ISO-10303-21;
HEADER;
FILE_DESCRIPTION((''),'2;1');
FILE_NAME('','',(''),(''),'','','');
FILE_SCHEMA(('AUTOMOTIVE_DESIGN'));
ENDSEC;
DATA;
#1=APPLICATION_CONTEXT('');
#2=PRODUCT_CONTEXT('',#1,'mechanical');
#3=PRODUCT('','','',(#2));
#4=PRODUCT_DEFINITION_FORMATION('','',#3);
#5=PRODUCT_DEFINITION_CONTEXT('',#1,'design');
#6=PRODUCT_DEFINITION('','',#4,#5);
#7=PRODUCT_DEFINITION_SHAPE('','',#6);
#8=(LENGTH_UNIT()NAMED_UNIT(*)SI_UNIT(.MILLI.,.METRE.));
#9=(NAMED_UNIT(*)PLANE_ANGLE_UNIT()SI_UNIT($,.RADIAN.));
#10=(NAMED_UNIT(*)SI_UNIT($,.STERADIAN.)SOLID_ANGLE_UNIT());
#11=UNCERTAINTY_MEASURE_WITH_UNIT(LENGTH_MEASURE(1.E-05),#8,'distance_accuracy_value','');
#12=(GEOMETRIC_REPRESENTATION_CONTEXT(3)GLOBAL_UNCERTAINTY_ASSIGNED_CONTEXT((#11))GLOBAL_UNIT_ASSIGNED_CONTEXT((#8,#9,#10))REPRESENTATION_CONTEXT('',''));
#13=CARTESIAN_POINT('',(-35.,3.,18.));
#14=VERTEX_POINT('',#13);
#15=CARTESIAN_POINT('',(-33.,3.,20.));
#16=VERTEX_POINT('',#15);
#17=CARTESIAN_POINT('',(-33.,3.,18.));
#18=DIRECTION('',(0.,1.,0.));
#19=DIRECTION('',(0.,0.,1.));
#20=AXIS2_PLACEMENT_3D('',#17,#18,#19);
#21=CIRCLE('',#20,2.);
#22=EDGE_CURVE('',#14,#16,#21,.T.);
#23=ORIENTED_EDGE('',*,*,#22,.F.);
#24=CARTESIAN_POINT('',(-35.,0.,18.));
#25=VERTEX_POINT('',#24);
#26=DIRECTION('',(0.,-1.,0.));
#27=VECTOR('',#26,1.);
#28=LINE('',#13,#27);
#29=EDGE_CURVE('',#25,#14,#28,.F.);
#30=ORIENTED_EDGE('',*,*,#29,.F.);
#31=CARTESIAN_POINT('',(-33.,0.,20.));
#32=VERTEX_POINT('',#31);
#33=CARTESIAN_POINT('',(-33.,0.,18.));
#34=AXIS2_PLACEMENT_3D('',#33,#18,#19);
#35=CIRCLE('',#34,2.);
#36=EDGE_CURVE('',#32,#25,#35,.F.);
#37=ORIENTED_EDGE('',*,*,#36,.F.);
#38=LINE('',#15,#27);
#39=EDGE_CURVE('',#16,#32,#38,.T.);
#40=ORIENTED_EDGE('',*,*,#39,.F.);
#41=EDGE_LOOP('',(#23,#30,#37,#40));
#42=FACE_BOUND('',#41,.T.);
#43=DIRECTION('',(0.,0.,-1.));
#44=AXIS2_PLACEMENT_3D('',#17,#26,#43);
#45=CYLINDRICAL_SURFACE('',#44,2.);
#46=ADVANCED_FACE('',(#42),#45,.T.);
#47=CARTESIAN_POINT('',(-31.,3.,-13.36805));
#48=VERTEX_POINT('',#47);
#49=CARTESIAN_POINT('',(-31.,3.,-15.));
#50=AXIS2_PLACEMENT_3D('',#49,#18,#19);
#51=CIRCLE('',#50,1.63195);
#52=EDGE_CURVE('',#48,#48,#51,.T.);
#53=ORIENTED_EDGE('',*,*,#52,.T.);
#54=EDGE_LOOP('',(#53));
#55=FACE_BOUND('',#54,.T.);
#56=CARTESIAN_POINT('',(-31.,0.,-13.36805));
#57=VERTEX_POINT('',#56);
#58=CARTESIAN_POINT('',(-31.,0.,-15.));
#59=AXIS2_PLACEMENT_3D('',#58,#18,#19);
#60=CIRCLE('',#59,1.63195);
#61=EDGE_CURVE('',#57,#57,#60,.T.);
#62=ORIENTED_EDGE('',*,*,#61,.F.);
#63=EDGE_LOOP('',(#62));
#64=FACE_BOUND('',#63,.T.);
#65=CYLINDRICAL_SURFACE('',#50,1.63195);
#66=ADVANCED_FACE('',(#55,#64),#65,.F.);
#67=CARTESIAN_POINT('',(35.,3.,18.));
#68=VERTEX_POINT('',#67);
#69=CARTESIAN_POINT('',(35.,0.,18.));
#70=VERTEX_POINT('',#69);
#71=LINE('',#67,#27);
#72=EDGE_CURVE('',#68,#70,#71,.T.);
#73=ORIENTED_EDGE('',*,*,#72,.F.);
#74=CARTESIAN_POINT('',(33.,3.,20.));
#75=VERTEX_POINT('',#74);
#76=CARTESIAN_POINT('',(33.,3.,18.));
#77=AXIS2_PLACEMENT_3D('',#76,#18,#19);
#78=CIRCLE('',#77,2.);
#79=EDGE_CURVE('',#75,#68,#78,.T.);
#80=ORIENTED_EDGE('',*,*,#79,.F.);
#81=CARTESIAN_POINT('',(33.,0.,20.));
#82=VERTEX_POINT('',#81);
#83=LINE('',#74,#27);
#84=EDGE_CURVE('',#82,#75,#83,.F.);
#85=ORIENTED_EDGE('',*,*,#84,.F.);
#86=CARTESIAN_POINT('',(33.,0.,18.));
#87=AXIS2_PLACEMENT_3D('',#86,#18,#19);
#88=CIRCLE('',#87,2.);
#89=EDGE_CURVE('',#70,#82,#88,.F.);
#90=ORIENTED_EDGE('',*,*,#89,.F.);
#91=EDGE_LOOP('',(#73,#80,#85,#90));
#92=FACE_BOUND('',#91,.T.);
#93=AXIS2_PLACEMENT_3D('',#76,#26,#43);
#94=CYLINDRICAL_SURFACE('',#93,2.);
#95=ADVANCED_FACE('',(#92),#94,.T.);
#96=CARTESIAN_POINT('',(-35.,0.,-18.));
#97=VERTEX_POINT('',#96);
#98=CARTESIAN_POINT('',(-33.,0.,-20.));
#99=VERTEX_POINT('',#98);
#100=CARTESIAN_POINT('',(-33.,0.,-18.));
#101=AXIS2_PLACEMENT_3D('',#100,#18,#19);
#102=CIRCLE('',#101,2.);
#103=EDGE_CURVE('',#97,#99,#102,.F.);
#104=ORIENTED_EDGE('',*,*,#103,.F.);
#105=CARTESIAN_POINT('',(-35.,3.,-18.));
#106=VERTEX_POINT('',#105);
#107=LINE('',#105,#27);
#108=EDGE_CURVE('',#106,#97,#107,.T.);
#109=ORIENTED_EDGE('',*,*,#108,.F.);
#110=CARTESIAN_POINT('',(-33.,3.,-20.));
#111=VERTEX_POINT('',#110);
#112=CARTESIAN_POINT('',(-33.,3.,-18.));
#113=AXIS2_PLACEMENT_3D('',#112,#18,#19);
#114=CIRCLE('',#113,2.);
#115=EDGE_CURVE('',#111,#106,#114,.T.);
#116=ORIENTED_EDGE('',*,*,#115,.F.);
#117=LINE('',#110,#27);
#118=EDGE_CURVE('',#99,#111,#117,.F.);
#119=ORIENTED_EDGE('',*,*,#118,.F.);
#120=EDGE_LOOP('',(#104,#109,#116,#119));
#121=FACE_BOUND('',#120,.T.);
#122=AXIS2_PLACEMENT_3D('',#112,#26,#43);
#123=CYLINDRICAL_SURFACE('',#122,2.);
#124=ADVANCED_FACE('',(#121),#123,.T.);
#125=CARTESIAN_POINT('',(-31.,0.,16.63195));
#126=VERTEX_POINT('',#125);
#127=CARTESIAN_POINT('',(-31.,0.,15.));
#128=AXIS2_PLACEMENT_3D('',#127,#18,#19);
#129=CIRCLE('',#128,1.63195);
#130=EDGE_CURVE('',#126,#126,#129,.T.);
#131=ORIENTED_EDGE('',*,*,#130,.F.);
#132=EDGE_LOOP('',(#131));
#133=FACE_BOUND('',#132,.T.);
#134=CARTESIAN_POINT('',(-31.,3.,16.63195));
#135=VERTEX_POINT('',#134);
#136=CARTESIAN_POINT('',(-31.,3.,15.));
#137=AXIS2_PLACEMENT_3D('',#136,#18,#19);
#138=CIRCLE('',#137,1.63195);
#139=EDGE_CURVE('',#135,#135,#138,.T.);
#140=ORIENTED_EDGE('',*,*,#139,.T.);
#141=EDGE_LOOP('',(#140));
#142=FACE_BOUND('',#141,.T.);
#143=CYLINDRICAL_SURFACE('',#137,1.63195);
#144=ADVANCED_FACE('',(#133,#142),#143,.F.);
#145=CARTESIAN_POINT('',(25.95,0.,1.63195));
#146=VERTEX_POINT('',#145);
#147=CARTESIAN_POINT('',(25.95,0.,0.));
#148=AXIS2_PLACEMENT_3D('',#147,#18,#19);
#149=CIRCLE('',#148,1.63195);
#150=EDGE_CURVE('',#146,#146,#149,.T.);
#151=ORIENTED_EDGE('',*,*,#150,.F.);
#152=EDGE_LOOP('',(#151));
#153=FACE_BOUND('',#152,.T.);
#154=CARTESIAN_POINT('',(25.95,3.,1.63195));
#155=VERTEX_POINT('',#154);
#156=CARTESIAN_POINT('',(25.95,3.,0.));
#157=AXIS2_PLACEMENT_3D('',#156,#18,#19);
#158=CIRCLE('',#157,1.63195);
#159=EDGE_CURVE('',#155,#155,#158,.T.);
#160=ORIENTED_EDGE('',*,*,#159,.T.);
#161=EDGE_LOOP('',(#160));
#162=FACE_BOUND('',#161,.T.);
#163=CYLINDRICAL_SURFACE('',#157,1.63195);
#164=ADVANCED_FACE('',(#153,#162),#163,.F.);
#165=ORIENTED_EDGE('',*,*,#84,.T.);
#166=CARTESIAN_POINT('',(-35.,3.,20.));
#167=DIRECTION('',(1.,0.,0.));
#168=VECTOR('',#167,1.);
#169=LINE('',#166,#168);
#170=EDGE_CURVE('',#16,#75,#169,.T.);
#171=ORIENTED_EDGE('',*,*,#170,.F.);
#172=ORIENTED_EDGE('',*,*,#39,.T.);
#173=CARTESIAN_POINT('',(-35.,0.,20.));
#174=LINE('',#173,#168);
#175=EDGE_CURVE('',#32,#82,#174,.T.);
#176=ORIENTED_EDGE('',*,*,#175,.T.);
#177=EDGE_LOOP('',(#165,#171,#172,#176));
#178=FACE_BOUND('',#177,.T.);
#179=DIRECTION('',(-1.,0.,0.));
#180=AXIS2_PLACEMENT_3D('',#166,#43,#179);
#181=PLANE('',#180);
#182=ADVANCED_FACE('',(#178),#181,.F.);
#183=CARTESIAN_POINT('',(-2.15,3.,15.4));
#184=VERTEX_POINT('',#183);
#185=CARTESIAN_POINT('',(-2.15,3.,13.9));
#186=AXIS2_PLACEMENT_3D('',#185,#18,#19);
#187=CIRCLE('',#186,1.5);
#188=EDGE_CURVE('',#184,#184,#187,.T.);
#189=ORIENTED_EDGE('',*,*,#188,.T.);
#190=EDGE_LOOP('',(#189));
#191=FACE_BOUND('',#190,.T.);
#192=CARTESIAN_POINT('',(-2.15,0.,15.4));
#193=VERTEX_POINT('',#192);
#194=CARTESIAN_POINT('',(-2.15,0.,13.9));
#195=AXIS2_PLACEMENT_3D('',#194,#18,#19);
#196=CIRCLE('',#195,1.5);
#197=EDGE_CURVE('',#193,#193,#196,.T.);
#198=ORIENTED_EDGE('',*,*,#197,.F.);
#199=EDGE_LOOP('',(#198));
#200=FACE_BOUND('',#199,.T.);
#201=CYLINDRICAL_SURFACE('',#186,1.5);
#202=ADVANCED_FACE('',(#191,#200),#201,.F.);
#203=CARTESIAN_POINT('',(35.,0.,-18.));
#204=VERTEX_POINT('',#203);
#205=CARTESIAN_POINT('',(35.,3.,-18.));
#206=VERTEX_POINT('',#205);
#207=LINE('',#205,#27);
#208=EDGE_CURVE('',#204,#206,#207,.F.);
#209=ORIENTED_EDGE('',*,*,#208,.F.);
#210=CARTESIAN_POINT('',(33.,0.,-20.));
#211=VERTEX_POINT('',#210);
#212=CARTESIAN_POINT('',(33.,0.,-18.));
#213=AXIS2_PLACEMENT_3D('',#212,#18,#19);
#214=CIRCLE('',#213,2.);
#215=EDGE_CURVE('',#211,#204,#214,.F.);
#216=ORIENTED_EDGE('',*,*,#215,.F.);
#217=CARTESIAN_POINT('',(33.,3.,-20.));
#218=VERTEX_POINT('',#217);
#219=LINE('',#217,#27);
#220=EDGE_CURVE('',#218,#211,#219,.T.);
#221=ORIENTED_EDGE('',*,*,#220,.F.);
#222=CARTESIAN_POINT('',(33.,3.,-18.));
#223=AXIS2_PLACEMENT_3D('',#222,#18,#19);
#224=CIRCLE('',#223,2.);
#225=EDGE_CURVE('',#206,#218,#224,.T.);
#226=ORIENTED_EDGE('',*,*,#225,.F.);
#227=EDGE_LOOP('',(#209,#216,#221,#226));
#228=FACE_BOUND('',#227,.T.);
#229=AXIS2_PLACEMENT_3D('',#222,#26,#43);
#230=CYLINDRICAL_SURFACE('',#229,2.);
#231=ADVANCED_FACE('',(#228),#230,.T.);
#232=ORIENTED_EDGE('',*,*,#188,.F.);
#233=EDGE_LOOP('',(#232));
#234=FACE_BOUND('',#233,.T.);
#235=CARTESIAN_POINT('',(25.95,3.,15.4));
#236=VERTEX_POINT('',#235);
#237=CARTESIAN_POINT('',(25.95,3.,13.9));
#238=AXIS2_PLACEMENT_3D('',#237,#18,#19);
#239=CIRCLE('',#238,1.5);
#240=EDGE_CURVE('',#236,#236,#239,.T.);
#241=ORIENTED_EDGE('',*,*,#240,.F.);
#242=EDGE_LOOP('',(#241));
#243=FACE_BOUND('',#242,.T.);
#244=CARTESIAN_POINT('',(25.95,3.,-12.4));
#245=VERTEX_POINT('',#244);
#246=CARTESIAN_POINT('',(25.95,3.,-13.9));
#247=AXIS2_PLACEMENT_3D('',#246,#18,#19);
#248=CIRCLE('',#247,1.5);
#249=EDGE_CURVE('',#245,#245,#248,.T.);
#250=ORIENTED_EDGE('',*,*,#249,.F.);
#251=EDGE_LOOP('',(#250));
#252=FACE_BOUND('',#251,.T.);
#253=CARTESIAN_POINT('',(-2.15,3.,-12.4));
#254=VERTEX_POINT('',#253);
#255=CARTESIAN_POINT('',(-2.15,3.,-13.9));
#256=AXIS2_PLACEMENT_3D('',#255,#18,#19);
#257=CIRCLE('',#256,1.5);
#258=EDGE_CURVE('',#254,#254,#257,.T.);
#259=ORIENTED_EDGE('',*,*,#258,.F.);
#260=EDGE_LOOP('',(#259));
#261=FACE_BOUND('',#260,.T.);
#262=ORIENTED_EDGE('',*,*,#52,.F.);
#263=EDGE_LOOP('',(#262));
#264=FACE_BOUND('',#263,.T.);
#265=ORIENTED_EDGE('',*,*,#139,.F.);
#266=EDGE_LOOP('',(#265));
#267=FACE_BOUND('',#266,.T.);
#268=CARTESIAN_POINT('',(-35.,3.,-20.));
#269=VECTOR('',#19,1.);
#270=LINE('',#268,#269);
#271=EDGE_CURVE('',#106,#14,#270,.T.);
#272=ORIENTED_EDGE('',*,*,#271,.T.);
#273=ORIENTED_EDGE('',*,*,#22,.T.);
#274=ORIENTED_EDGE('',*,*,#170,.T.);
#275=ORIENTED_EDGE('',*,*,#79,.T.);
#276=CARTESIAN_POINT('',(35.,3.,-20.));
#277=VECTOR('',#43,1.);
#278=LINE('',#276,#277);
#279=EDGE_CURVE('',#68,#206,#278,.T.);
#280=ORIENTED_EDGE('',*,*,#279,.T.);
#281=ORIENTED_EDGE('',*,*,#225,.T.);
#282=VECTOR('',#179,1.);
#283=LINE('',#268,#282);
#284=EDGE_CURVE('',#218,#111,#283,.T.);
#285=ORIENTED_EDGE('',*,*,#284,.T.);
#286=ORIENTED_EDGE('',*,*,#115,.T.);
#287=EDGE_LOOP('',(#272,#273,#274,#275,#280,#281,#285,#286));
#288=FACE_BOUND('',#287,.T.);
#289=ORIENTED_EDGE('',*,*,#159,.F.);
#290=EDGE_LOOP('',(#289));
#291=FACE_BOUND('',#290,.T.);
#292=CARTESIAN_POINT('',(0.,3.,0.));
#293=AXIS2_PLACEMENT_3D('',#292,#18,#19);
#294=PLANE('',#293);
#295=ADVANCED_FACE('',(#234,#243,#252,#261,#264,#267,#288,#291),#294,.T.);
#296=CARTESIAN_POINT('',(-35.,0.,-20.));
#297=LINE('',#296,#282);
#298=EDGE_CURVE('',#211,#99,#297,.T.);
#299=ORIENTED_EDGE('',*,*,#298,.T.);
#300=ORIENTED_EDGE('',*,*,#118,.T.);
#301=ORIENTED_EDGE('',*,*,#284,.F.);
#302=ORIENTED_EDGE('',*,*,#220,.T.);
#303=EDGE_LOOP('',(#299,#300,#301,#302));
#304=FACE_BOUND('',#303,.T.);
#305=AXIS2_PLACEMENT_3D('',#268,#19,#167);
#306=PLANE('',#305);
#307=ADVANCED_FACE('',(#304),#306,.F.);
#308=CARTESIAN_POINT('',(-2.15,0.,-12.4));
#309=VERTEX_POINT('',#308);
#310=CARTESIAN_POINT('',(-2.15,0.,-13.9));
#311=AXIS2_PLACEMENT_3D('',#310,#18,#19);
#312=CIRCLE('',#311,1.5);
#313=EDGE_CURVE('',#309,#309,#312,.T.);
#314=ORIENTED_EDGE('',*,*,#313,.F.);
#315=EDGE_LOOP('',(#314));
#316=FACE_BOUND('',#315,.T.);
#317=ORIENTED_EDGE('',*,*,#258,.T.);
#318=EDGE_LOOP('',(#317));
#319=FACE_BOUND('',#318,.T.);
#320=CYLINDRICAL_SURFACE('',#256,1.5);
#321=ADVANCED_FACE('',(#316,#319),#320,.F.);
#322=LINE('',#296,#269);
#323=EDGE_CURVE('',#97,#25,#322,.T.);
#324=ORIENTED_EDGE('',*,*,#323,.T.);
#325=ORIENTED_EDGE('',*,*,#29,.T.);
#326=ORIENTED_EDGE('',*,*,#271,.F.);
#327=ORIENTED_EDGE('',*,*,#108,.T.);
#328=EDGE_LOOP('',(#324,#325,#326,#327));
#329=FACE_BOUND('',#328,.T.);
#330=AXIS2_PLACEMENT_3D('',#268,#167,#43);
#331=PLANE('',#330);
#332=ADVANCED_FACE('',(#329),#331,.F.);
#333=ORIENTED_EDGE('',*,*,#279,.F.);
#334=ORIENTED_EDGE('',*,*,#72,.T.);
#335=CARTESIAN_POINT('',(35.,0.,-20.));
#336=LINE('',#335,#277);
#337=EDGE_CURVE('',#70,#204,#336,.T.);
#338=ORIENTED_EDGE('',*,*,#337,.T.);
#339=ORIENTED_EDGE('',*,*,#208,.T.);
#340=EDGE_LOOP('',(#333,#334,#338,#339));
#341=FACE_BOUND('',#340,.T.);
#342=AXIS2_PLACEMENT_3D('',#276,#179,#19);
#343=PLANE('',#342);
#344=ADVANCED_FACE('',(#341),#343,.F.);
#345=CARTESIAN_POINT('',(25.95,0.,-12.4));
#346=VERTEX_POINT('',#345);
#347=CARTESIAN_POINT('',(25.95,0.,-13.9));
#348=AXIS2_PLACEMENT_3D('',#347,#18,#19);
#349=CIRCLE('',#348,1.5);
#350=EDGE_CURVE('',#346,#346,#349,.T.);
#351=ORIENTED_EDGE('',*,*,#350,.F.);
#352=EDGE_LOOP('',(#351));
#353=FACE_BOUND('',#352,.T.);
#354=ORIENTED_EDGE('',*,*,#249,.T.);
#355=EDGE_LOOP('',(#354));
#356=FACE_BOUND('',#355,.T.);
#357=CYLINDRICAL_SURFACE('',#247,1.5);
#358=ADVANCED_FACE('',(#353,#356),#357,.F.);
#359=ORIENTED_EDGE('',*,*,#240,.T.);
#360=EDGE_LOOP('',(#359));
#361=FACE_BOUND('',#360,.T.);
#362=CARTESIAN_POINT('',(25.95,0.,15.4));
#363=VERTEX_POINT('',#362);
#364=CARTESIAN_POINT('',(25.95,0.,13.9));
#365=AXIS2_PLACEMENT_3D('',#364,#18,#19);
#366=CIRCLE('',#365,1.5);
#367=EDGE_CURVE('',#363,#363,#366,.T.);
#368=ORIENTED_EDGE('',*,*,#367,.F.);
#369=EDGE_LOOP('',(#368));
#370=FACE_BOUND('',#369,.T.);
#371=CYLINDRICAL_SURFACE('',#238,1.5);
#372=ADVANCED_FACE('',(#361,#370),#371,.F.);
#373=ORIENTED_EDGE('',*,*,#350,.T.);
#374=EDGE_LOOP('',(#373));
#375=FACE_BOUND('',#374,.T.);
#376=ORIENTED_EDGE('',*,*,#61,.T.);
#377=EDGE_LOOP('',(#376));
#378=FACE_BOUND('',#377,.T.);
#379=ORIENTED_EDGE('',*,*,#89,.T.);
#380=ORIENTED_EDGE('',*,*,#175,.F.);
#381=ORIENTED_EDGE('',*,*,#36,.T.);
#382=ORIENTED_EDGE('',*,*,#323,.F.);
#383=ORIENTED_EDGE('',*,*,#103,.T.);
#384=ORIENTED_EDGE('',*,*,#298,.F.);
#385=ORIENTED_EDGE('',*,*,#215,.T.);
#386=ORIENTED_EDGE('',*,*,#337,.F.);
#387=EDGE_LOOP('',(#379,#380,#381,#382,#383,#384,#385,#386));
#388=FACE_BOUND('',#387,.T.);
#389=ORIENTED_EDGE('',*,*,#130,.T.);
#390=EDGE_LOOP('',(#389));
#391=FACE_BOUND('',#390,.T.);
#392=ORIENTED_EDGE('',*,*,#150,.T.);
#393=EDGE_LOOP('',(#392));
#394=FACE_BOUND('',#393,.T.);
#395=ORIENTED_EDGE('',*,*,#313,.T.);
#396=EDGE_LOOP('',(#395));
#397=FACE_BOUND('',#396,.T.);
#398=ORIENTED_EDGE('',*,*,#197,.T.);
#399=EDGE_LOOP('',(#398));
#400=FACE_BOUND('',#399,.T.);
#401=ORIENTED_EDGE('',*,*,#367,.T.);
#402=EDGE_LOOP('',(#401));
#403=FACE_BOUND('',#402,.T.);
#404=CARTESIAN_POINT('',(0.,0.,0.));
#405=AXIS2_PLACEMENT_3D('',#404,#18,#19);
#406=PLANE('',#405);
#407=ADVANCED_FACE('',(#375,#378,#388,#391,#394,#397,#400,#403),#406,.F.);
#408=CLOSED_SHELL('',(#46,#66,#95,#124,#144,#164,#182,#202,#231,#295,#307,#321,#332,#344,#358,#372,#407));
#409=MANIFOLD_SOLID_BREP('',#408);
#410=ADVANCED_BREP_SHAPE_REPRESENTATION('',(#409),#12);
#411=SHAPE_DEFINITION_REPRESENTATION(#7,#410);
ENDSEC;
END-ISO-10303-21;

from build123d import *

# Parameters (mm, degrees)
SKETCH1_W             = 70
SKETCH1_H             = 40
BOSS_EXTRUDE1_DEPTH   = 3
F_3_0MM_DOWEL_HOLE1_D = 3
F_4_CLEARANCE_HOLE1_D = 3.2639
FILLET1_R             = 2


with BuildPart() as part:
    # Sketch1 → Boss-Extrude1 (new body)
    with BuildSketch(Plane(origin=(0, 0, 0), x_dir=(1, 0, 0), z_dir=(0, 1, 0))):
        Rectangle(SKETCH1_W, SKETCH1_H)
    extrude(amount=BOSS_EXTRUDE1_DEPTH)

    # Ø3.0mm Dowel Hole1 (through all)
    with Locations(Plane(origin=(0, 3, 0), x_dir=(1, 0, 0), z_dir=(0, 1, 0))):
        with Locations((-2.15, 13.9), (25.95, 13.9), (-2.15, -13.9), (25.95, -13.9)):
            Hole(F_3_0MM_DOWEL_HOLE1_D / 2)

    # #4 Clearance Hole1 (through all)
    with Locations(Plane(origin=(0, 3, 0), x_dir=(1, 0, 0), z_dir=(0, 1, 0))):
        with Locations((-31, 15), (-31, -15), (25.95, 0)):
            Hole(F_4_CLEARANCE_HOLE1_D / 2)

    # Fillet1
    fillet1_edges = [part.edges().sort_by_distance(p)[0] for p in [
        (35, 1.5, 20),
        (-35, 1.5, 20),
        (-35, 1.5, -20),
        (35, 1.5, -20),
    ]]
    fillet(fillet1_edges, radius=FILLET1_R)


solid = part.part
